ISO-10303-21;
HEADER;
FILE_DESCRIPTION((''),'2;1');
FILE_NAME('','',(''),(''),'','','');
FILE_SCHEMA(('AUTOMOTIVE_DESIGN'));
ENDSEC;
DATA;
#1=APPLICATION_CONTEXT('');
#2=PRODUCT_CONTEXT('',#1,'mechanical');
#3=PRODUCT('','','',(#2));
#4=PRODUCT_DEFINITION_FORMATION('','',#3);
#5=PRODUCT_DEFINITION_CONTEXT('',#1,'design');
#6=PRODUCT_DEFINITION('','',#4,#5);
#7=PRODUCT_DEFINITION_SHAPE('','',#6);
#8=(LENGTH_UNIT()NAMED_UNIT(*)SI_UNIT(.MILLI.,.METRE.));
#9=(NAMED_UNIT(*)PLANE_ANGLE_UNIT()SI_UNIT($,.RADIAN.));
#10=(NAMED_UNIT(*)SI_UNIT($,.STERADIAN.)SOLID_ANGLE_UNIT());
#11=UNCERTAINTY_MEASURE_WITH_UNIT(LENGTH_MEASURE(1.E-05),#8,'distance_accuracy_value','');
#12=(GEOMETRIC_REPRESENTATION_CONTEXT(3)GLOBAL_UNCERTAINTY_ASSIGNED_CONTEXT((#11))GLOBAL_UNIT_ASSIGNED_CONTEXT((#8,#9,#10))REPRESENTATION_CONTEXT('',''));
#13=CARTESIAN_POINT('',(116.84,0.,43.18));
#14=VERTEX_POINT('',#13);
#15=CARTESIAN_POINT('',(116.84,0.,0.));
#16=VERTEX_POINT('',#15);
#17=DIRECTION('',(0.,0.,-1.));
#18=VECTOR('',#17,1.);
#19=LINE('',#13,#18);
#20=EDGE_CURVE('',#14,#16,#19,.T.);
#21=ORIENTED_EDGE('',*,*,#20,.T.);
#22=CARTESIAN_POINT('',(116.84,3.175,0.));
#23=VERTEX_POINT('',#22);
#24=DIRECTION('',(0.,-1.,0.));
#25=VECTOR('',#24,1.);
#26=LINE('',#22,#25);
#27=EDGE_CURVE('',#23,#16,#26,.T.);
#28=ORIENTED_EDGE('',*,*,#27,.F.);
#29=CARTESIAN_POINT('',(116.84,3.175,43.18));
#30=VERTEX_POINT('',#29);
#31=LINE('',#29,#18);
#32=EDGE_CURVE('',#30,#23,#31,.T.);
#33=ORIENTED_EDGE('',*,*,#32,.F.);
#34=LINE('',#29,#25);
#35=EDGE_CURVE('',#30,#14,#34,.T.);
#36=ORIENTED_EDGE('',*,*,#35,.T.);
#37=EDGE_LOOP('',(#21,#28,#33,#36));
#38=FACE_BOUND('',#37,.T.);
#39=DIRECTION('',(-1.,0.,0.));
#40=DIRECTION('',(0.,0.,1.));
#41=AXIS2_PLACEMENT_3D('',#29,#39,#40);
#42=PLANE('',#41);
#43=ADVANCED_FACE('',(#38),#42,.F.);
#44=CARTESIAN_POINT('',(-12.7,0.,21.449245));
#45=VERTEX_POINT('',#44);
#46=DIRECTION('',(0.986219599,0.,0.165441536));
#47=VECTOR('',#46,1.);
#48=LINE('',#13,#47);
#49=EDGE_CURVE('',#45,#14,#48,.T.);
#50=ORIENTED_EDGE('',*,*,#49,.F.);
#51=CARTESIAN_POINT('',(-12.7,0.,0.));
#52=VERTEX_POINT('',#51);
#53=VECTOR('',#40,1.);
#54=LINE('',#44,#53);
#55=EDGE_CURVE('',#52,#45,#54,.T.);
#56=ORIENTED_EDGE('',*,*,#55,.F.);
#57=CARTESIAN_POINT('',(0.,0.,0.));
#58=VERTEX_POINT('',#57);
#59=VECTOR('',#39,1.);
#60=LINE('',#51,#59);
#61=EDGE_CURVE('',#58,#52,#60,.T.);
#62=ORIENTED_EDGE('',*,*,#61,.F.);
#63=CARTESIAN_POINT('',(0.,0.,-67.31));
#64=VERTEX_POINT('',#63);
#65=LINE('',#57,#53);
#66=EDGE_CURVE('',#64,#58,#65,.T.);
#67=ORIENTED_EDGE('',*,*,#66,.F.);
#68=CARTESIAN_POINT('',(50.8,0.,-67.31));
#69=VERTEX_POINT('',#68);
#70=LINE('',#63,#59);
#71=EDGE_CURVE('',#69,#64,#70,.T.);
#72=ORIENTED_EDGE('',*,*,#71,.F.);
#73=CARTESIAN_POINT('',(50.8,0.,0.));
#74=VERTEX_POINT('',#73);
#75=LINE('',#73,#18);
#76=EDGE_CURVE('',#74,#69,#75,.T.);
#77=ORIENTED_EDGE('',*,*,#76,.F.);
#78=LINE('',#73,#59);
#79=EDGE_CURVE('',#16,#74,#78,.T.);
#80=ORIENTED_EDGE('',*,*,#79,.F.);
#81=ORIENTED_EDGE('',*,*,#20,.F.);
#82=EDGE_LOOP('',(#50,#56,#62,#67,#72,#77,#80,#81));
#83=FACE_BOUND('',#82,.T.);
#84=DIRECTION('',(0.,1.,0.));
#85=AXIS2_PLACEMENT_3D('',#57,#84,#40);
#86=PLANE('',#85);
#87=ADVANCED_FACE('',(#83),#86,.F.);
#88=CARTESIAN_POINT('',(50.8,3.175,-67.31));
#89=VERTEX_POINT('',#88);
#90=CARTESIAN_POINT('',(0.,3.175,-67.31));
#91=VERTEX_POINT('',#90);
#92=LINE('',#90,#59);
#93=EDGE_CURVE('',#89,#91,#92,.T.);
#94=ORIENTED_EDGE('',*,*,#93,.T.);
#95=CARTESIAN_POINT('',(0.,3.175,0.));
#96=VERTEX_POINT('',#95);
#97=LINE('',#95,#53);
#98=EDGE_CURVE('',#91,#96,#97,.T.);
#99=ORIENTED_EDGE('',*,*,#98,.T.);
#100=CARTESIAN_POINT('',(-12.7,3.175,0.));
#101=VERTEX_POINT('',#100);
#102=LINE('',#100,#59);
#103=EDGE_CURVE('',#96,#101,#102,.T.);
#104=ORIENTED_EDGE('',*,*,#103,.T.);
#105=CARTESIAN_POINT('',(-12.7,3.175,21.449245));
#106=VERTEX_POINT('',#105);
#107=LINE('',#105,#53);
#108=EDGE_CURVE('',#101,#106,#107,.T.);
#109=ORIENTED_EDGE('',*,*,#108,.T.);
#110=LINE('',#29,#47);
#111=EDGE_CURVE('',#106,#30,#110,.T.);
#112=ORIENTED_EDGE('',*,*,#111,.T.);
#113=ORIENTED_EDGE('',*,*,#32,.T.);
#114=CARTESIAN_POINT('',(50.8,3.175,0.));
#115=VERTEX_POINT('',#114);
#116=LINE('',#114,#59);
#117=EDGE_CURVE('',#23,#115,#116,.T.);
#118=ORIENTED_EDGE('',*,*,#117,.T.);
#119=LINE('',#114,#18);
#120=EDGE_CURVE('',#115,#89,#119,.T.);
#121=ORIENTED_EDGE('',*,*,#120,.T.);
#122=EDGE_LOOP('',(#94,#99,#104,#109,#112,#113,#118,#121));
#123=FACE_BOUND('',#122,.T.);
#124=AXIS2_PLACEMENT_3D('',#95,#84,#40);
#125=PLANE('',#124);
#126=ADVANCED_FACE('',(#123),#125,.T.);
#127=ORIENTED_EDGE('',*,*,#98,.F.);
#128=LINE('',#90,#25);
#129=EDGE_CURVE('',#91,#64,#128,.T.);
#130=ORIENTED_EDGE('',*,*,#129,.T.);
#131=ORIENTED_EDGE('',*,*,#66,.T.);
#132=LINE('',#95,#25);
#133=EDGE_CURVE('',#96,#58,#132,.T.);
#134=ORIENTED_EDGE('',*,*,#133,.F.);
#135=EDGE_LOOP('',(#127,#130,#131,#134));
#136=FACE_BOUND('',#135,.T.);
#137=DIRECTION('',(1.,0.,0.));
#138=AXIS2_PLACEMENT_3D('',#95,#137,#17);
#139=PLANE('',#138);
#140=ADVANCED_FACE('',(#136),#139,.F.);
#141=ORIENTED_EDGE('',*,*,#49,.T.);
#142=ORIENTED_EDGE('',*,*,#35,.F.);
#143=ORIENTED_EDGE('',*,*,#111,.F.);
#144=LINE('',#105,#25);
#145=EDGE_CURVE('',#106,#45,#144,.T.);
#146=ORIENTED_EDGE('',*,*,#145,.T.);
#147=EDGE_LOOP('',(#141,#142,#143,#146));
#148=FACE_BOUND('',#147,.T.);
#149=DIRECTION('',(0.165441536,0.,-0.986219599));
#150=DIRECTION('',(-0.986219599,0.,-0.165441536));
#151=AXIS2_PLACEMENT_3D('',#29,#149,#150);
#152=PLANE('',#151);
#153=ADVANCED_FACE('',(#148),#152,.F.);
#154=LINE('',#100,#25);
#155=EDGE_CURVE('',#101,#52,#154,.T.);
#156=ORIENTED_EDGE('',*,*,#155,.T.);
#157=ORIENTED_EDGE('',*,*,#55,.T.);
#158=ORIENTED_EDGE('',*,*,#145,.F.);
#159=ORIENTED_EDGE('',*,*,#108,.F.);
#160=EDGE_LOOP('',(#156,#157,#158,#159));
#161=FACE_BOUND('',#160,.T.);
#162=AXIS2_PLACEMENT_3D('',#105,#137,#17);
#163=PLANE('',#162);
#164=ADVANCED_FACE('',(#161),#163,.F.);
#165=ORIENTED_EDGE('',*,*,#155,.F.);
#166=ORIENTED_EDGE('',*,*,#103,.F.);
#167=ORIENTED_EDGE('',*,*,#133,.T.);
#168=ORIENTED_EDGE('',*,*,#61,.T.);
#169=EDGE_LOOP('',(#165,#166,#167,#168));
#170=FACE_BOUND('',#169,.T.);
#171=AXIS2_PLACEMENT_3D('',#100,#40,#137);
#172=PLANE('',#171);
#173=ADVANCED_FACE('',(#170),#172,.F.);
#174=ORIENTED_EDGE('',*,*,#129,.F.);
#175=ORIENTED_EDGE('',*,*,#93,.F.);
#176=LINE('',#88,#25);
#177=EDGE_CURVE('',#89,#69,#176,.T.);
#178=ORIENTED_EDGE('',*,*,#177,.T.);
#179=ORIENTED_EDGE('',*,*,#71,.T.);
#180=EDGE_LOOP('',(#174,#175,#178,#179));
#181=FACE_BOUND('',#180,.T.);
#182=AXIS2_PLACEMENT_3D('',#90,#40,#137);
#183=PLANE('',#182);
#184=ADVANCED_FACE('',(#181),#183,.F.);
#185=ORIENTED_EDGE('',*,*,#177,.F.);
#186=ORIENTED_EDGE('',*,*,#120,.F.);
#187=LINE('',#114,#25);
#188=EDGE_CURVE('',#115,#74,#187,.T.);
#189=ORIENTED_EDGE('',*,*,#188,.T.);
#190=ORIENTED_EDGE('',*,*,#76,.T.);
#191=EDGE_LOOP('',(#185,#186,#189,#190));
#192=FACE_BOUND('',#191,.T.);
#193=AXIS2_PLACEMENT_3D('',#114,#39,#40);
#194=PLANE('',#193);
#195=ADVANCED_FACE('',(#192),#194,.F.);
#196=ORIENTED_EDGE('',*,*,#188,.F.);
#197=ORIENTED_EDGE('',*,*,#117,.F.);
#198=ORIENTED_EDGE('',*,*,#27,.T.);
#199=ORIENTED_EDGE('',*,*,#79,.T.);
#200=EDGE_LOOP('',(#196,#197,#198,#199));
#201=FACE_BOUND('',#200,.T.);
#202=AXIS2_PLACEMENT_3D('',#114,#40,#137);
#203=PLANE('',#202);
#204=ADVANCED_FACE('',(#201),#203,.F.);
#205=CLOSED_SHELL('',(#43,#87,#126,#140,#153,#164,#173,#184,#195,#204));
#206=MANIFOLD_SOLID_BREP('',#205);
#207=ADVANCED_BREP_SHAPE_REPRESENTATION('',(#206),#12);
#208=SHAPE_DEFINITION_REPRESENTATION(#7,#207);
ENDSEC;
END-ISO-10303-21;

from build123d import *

# Parameters (mm, degrees)
BOSS_EXTRUDE1_DEPTH = 3.175


with BuildPart() as part:
    # Sketch2 → Boss-Extrude1 (new body)
    with BuildSketch(Plane(origin=(0, 0, 0), x_dir=(1, 0, 0), z_dir=(0, 1, 0))):
        Polygon((50.8, 0), (116.84, 0), (116.84, -43.18), (-12.7, -21.449244855), (-12.7, 0), (0, 0), (0, 67.31), (50.8, 67.31), align=None)
    extrude(amount=BOSS_EXTRUDE1_DEPTH)


solid = part.part
